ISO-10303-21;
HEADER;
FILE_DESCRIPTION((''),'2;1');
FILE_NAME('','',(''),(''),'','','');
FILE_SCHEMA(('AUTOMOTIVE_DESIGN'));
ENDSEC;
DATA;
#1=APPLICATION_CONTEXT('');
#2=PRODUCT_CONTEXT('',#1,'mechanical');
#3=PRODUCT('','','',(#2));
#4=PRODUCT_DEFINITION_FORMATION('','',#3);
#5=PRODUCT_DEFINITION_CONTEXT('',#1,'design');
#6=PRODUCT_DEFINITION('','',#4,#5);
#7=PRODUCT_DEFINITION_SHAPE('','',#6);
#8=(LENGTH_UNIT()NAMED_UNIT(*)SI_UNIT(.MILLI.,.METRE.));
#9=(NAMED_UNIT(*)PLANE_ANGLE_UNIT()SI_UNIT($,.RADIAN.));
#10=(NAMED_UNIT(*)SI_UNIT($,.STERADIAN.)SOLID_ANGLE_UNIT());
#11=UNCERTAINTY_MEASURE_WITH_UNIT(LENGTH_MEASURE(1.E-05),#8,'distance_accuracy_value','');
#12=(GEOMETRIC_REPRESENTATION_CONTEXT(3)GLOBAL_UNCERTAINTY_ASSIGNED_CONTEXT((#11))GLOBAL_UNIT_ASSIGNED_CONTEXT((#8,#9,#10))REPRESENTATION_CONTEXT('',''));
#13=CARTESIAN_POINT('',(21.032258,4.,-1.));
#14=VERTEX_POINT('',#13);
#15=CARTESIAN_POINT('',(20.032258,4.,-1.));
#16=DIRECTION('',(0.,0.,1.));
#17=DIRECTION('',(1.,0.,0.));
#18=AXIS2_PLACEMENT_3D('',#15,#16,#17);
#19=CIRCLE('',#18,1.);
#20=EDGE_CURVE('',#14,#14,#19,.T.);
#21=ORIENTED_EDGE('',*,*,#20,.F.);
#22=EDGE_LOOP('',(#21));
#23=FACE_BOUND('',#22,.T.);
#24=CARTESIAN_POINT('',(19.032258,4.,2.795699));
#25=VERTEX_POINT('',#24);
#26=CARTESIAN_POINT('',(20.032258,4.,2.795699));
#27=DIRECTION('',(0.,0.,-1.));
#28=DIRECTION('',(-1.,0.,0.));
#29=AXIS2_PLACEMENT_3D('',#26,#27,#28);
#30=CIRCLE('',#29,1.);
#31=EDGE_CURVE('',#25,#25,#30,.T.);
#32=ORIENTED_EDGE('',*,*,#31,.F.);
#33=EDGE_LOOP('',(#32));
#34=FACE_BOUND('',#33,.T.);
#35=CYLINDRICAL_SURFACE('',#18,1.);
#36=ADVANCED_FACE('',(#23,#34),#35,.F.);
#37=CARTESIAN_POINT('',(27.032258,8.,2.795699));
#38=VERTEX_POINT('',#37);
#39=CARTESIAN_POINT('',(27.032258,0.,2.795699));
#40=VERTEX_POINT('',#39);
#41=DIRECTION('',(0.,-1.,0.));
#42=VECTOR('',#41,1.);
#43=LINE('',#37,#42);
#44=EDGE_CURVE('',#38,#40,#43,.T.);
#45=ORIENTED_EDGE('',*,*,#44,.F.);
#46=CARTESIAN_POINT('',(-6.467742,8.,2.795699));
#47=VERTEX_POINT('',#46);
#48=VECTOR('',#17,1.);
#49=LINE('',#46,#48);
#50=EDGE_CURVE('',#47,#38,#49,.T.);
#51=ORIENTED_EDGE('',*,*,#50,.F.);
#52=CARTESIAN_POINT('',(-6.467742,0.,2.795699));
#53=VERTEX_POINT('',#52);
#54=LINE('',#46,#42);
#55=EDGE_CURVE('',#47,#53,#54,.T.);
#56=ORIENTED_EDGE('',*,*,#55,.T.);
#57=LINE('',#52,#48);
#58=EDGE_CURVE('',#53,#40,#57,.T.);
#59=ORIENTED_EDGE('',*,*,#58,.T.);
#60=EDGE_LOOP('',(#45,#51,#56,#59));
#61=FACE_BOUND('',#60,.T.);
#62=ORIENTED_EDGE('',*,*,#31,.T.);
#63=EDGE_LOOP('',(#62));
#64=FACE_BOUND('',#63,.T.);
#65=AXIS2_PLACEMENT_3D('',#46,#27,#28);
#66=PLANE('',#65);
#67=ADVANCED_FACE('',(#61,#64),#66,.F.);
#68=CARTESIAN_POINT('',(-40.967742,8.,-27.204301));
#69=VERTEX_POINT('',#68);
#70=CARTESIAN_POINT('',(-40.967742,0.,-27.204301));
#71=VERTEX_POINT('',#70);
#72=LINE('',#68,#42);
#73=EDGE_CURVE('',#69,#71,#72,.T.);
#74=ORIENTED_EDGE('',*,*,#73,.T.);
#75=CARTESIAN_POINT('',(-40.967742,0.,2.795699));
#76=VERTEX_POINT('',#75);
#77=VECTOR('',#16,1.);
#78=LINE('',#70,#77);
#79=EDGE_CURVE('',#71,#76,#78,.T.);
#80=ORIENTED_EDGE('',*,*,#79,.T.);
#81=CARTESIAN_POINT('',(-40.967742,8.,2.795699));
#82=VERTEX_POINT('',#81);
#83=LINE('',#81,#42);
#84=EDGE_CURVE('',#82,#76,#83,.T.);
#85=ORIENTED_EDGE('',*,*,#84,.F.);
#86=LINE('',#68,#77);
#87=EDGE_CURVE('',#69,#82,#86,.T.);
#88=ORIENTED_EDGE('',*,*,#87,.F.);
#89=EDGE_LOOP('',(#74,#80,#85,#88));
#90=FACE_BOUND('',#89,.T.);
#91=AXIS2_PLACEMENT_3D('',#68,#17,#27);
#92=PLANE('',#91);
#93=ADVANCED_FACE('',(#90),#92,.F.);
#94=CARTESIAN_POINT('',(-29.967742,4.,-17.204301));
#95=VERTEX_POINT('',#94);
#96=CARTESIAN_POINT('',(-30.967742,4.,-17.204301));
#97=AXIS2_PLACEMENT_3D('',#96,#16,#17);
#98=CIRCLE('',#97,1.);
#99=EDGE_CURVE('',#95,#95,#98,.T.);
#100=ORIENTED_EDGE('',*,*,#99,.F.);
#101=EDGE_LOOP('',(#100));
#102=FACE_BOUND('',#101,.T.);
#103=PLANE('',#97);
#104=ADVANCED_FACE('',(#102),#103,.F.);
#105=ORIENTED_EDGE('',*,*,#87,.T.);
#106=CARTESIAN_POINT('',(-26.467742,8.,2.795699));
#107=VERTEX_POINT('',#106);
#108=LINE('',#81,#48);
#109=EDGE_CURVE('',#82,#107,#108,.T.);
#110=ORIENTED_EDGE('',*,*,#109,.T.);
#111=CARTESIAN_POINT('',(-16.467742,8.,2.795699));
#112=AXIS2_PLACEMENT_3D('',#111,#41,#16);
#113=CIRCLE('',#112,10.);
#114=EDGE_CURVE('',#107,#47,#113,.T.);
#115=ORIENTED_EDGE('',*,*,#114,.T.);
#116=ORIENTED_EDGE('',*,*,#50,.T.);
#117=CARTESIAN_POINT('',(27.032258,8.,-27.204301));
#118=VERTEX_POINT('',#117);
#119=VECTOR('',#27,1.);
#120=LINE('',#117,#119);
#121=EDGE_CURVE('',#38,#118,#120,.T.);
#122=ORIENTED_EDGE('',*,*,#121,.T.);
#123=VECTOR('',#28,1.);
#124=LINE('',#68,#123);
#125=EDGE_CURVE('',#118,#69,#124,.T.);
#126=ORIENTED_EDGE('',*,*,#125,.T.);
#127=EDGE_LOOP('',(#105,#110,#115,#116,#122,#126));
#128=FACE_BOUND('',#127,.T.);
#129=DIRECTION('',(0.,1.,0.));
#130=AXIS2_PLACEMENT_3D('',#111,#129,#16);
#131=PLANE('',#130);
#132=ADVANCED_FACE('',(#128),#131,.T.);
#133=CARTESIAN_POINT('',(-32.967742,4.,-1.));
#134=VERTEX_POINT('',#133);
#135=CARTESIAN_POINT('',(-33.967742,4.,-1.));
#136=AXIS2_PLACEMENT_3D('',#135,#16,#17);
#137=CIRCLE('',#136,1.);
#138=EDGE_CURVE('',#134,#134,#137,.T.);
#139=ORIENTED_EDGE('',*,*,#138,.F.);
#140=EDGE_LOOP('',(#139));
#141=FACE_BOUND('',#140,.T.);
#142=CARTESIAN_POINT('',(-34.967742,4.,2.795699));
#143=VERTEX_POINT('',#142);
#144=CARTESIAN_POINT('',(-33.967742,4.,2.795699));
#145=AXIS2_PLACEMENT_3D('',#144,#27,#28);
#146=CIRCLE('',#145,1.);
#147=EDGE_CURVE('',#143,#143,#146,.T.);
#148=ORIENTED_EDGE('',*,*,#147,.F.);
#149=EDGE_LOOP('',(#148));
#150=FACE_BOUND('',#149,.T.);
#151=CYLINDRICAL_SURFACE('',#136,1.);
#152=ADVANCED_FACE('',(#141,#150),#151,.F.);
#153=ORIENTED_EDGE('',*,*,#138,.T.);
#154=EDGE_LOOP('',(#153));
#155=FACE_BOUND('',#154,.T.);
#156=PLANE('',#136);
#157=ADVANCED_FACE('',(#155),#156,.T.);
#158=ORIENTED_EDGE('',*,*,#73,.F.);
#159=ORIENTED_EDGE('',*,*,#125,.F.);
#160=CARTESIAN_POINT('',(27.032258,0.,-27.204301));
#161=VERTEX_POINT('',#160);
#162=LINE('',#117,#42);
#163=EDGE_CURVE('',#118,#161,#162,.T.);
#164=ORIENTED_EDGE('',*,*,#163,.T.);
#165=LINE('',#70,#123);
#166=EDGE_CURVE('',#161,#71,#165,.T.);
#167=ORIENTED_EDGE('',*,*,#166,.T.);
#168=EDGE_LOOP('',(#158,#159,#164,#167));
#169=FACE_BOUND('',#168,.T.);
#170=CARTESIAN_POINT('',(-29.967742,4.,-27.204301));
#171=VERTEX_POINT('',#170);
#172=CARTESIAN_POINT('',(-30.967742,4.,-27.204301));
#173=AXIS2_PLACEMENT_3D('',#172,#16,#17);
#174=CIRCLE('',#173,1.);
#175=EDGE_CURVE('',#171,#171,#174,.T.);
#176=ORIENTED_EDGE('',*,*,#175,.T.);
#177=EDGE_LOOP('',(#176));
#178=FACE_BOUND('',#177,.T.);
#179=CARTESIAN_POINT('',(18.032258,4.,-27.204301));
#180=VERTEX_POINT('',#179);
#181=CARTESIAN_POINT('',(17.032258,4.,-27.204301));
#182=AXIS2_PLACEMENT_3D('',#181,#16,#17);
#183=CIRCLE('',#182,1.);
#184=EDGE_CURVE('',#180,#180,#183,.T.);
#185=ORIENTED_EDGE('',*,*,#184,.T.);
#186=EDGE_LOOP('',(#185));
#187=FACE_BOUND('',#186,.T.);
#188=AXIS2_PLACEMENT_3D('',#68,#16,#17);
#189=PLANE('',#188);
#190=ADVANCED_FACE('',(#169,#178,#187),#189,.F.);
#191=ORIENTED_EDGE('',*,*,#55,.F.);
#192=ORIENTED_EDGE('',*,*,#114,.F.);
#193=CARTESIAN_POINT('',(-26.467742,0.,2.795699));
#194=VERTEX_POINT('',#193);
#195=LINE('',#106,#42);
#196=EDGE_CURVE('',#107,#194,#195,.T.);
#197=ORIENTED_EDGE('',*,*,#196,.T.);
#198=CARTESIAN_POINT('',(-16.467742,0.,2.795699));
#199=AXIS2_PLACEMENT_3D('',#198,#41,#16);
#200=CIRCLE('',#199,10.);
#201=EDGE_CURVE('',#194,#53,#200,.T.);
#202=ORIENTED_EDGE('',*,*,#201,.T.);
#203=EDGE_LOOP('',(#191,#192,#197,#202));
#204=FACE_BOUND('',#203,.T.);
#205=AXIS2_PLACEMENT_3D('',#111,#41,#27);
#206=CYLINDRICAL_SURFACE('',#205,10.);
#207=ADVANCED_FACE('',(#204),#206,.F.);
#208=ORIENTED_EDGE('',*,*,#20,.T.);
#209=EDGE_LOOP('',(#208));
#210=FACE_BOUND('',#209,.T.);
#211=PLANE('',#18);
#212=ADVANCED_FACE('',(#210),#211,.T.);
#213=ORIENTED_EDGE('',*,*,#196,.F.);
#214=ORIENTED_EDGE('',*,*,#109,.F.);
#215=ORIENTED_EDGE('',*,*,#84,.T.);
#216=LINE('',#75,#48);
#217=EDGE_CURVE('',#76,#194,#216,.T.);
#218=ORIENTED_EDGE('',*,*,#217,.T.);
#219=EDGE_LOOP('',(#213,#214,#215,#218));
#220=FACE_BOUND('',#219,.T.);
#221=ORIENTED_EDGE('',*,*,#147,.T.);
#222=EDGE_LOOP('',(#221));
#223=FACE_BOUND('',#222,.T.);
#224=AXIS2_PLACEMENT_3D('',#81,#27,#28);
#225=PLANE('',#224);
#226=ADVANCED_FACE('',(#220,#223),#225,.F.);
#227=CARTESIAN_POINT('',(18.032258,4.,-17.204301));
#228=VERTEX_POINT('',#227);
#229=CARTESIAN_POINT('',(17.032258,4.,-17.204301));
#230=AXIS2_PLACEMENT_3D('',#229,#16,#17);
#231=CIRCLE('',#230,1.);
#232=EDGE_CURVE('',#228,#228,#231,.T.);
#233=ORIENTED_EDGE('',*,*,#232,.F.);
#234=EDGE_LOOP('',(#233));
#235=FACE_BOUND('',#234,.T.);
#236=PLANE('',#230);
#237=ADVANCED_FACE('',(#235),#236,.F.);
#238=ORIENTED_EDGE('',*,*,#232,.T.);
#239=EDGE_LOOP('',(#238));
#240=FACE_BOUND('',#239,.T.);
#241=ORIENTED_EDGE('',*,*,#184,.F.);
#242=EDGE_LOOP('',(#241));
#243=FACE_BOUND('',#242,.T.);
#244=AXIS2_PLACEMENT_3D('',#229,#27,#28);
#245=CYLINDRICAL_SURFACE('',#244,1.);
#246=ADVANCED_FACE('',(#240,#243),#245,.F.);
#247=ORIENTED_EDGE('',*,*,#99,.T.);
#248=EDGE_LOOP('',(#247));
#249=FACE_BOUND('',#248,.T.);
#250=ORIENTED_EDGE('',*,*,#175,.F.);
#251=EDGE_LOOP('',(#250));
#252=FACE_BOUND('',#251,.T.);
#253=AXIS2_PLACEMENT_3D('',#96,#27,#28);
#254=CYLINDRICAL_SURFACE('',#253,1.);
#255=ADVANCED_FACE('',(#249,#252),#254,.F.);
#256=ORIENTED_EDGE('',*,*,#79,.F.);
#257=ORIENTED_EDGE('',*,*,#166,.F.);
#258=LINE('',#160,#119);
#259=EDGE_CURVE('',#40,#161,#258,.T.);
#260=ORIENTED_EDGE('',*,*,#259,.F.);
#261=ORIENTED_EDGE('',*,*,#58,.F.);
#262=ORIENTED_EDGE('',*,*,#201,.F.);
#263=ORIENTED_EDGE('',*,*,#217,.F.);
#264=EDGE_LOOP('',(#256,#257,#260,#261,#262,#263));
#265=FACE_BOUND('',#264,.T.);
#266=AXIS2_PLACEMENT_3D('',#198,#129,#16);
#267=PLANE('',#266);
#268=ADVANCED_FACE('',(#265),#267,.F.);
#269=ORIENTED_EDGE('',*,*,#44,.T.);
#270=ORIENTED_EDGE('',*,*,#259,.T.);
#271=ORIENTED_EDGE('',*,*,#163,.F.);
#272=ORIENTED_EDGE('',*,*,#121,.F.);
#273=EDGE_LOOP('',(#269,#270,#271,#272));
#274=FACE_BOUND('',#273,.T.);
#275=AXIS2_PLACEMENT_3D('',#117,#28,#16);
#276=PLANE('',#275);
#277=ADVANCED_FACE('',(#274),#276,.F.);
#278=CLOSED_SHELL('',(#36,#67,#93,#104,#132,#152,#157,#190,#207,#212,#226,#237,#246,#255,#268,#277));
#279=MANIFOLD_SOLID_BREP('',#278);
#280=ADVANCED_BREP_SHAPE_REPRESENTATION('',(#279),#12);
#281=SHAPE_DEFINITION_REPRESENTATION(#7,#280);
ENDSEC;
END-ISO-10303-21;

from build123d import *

# Parameters (mm, degrees)
BOSS_EXTRUDE1_DEPTH = 8
CUT_EXTRUDE5_START  = 4
SKETCH2_R           = 1
CUT_EXTRUDE5_DEPTH  = 5
CUT_EXTRUDE6_START  = -27.204301
SKETCH3_R           = 1
CUT_EXTRUDE6_DEPTH  = 10


with BuildPart() as part:
    # Sketch1 → Boss-Extrude1 (new body)
    with BuildSketch(Plane(origin=(0, 0, 0), x_dir=(1, 0, 0), z_dir=(0, 1, 0))):
        with BuildLine():
            Line((-40.967741935, 27.204301075), (27.032258065, 27.204301075))
            Line((27.032258065, 27.204301075), (27.032258065, -2.795698925))
            Line((27.032258065, -2.795698925), (-6.467741935, -2.795698925))
            ThreePointArc((-6.467741935, -2.795698925), (-16.467741935, 7.204301075), (-26.467741935, -2.795698925))
            Line((-26.467741935, -2.795698925), (-40.967741935, -2.795698925))
            Line((-40.967741935, -2.795698925), (-40.967741935, 27.204301075))
        make_face()
    extrude(amount=BOSS_EXTRUDE1_DEPTH)

    # Sketch2 → Cut-Extrude5 (cut)
    with BuildSketch(Plane.XY.offset(CUT_EXTRUDE5_START)):
        with Locations((-33.967741935, 4)):
            Circle(SKETCH2_R)
        with Locations((20.032258065, 4)):
            Circle(SKETCH2_R)
    extrude(amount=-CUT_EXTRUDE5_DEPTH, mode=Mode.SUBTRACT)

    # Sketch3 → Cut-Extrude6 (cut)
    with BuildSketch(Plane.XY.offset(CUT_EXTRUDE6_START)):
        with Locations((17.032258065, 4)):
            Circle(SKETCH3_R)
        with Locations((-30.967741935, 4)):
            Circle(SKETCH3_R)
    extrude(amount=CUT_EXTRUDE6_DEPTH, mode=Mode.SUBTRACT)


solid = part.part
